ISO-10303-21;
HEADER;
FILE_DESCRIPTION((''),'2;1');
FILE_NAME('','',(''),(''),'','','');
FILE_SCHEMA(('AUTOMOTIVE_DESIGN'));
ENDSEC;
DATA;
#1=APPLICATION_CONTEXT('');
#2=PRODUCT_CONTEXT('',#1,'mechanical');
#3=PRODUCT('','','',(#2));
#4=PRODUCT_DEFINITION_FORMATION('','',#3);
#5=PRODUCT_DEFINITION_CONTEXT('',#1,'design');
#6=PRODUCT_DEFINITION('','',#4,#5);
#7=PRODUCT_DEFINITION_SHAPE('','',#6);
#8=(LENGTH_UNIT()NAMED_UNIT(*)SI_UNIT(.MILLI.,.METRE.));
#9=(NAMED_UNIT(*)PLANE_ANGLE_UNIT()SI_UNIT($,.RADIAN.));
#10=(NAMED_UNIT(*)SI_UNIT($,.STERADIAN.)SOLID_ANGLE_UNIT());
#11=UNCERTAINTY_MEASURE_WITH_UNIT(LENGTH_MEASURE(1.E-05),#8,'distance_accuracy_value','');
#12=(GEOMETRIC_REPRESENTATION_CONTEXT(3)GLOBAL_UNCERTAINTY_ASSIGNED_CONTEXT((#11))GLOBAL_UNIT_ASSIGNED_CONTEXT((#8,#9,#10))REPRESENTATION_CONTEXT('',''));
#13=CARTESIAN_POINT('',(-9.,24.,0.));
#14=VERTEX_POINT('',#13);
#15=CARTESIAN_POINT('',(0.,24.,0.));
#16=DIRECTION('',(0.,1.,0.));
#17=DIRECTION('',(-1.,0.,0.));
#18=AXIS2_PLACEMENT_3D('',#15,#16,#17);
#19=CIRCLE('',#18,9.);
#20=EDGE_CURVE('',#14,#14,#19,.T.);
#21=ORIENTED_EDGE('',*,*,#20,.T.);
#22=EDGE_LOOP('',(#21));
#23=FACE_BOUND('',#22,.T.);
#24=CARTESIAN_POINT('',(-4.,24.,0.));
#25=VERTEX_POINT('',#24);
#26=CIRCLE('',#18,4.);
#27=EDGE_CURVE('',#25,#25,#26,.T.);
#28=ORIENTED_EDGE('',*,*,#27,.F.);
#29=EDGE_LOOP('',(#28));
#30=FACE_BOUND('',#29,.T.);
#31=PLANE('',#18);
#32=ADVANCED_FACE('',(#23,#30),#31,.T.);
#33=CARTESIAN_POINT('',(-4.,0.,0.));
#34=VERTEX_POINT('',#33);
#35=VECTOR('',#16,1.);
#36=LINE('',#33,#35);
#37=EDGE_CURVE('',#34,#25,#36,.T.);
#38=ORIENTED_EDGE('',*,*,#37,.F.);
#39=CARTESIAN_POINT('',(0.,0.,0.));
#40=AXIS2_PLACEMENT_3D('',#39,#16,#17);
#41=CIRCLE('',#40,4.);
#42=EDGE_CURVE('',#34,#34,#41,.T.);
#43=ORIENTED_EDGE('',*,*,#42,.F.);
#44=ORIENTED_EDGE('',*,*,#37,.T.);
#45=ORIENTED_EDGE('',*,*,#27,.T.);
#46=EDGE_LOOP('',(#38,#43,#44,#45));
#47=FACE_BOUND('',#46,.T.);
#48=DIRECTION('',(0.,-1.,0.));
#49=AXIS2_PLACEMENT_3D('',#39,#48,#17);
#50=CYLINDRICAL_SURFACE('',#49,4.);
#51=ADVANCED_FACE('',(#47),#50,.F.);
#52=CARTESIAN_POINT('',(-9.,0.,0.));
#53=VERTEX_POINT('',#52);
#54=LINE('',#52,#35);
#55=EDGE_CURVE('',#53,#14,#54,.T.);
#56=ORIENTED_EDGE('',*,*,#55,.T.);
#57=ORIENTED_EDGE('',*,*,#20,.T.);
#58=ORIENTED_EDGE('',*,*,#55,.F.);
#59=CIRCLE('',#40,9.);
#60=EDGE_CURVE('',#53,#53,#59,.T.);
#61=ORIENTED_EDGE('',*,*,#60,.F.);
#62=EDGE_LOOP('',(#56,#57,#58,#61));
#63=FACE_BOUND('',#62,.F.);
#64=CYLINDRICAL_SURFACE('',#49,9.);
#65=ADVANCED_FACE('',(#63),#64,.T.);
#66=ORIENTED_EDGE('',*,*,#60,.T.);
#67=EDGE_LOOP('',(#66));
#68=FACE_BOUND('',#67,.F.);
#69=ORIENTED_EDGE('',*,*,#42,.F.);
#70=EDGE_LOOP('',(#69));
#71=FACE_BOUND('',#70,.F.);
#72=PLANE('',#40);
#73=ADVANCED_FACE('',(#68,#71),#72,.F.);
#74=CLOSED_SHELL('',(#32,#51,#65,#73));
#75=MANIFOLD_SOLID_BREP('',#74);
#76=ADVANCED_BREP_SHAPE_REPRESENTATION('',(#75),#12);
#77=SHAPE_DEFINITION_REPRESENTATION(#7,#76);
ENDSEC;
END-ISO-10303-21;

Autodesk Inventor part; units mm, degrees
ref_plane "YZ Plane" through (0, 0, 0) normal (1, 0, 0) x (0, 1, 0)
ref_plane "XZ Plane" through (0, 0, 0) normal (0, 1, 0) x (-1, 0, 0)
ref_plane "XY Plane" through (0, 0, 0) normal (0, 0, 1) x (1, 0, 0)
sketch "Sketch1" plane through (0, 0, 0) normal (0, 1, 0) x (-1, 0, 0)
  circle A0 centre (0, 0) radius 9
  circle A1 centre (0, 0) radius 4
  dimension "d0" = 18
  dimension "d1" = 8
extrude "Extrusion1" add sketch "Sketch1" along normal blind 24
properties part number "couplerStandin"
